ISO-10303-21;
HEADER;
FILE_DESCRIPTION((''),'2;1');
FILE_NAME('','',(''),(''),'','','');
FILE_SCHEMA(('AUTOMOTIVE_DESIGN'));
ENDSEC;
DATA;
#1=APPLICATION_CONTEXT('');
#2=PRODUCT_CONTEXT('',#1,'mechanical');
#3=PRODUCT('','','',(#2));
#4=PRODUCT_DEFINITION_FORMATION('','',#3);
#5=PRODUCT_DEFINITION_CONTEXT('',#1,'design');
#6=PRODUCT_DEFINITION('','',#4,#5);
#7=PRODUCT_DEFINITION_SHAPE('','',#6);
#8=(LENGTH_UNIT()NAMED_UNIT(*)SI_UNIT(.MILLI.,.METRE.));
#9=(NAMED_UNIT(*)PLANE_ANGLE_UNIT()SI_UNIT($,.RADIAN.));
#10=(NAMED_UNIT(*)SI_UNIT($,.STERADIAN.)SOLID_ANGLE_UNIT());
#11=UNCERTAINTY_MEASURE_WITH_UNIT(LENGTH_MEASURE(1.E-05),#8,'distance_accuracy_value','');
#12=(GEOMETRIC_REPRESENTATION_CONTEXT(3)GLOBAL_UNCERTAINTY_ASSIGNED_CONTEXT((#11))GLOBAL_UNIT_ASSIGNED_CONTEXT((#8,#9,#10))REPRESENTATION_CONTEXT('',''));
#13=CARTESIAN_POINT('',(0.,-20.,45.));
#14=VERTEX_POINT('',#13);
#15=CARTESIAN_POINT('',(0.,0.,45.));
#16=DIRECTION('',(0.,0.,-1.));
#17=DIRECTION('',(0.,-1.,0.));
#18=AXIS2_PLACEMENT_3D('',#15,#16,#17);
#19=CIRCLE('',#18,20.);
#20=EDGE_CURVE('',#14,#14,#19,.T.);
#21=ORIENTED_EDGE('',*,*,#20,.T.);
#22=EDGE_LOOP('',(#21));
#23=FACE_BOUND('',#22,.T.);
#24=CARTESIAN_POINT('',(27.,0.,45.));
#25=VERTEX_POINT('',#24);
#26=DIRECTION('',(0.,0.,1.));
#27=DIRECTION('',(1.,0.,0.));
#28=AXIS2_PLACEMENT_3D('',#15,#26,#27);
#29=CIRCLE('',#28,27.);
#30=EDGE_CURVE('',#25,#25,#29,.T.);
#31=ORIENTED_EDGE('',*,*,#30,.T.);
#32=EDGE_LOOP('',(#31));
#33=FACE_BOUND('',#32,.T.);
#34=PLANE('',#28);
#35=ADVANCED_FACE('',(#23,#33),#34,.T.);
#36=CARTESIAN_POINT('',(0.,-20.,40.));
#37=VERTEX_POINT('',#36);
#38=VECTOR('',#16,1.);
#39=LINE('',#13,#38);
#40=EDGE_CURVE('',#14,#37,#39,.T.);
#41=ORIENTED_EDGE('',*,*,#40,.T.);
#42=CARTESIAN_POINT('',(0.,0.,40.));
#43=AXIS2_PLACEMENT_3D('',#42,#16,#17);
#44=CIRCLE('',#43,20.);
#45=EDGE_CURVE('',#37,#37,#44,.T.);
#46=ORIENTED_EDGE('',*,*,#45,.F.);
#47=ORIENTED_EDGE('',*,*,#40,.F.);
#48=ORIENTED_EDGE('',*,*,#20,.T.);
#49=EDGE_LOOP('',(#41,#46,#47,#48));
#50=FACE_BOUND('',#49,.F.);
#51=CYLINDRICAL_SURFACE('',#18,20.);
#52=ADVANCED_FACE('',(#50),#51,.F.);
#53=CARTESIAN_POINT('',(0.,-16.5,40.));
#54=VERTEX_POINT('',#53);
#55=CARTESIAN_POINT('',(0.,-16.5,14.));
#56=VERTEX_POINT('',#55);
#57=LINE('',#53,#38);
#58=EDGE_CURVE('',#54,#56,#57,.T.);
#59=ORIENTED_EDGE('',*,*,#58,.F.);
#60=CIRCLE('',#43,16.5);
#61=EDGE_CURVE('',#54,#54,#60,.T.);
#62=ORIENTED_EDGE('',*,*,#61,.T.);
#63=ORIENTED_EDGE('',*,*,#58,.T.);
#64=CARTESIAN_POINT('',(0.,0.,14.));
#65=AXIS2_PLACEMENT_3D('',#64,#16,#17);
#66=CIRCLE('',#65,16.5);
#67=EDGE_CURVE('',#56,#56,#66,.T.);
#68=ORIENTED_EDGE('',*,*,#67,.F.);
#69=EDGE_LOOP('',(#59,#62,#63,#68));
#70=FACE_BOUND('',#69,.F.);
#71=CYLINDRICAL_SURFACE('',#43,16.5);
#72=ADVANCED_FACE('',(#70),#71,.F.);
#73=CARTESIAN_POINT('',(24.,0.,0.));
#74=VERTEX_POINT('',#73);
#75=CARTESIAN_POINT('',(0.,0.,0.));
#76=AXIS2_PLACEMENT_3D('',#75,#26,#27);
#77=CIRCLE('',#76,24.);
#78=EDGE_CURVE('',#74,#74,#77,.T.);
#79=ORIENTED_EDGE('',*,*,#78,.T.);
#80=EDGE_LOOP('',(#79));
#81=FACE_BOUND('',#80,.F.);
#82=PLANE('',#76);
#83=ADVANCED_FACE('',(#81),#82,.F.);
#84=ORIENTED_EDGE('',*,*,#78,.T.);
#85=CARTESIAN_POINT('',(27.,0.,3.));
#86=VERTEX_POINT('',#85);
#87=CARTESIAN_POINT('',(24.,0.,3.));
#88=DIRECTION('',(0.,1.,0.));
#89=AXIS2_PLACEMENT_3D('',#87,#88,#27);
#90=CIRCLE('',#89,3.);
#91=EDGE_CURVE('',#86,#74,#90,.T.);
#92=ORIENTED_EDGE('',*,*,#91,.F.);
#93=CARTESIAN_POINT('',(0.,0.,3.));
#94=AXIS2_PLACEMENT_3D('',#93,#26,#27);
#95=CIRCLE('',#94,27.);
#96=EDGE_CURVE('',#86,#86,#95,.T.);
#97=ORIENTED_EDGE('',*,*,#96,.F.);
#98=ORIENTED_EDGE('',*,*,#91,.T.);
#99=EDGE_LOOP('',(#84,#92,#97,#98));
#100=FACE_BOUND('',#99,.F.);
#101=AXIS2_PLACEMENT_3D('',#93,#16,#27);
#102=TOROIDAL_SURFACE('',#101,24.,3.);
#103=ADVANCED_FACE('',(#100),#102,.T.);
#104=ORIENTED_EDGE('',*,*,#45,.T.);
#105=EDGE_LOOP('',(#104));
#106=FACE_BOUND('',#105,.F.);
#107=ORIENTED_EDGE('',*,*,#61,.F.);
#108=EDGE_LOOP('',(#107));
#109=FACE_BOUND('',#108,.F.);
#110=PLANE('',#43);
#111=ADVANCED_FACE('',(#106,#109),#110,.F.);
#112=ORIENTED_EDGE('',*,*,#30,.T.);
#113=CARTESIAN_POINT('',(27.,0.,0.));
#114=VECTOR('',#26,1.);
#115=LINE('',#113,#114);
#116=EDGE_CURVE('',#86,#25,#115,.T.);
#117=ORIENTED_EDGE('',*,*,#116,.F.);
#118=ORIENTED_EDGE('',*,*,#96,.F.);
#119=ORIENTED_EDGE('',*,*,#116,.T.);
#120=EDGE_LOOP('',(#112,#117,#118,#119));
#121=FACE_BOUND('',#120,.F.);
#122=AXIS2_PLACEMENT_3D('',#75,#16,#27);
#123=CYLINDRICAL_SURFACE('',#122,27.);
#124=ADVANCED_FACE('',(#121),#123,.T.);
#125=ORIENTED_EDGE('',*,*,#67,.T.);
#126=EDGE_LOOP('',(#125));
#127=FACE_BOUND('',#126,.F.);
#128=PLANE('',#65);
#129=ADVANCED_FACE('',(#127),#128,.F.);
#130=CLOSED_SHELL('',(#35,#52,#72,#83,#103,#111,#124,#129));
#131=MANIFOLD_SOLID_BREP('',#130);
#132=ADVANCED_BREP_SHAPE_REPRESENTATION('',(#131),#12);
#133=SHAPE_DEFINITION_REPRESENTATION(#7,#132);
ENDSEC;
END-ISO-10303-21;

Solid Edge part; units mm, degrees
sketch "Sketch1" plane through (0, 0, 0) normal (0, 0, 1) x (1, 0, 0)
  circle A0 centre (0, 0) radius 27
extrude "Protrusion1" add sketch "Sketch1" along normal blind 45
hole "Agujero_1" at (0, 0, 45) direction (0, 0, -1) diameter 40 depth 5
hole "Agujero_3" at (0, 0, 40) direction (0, 0, -1) diameter 33 depth 26
fillet "Redondeo_1" radius 3 1 edges at (-27, 0, 0)
